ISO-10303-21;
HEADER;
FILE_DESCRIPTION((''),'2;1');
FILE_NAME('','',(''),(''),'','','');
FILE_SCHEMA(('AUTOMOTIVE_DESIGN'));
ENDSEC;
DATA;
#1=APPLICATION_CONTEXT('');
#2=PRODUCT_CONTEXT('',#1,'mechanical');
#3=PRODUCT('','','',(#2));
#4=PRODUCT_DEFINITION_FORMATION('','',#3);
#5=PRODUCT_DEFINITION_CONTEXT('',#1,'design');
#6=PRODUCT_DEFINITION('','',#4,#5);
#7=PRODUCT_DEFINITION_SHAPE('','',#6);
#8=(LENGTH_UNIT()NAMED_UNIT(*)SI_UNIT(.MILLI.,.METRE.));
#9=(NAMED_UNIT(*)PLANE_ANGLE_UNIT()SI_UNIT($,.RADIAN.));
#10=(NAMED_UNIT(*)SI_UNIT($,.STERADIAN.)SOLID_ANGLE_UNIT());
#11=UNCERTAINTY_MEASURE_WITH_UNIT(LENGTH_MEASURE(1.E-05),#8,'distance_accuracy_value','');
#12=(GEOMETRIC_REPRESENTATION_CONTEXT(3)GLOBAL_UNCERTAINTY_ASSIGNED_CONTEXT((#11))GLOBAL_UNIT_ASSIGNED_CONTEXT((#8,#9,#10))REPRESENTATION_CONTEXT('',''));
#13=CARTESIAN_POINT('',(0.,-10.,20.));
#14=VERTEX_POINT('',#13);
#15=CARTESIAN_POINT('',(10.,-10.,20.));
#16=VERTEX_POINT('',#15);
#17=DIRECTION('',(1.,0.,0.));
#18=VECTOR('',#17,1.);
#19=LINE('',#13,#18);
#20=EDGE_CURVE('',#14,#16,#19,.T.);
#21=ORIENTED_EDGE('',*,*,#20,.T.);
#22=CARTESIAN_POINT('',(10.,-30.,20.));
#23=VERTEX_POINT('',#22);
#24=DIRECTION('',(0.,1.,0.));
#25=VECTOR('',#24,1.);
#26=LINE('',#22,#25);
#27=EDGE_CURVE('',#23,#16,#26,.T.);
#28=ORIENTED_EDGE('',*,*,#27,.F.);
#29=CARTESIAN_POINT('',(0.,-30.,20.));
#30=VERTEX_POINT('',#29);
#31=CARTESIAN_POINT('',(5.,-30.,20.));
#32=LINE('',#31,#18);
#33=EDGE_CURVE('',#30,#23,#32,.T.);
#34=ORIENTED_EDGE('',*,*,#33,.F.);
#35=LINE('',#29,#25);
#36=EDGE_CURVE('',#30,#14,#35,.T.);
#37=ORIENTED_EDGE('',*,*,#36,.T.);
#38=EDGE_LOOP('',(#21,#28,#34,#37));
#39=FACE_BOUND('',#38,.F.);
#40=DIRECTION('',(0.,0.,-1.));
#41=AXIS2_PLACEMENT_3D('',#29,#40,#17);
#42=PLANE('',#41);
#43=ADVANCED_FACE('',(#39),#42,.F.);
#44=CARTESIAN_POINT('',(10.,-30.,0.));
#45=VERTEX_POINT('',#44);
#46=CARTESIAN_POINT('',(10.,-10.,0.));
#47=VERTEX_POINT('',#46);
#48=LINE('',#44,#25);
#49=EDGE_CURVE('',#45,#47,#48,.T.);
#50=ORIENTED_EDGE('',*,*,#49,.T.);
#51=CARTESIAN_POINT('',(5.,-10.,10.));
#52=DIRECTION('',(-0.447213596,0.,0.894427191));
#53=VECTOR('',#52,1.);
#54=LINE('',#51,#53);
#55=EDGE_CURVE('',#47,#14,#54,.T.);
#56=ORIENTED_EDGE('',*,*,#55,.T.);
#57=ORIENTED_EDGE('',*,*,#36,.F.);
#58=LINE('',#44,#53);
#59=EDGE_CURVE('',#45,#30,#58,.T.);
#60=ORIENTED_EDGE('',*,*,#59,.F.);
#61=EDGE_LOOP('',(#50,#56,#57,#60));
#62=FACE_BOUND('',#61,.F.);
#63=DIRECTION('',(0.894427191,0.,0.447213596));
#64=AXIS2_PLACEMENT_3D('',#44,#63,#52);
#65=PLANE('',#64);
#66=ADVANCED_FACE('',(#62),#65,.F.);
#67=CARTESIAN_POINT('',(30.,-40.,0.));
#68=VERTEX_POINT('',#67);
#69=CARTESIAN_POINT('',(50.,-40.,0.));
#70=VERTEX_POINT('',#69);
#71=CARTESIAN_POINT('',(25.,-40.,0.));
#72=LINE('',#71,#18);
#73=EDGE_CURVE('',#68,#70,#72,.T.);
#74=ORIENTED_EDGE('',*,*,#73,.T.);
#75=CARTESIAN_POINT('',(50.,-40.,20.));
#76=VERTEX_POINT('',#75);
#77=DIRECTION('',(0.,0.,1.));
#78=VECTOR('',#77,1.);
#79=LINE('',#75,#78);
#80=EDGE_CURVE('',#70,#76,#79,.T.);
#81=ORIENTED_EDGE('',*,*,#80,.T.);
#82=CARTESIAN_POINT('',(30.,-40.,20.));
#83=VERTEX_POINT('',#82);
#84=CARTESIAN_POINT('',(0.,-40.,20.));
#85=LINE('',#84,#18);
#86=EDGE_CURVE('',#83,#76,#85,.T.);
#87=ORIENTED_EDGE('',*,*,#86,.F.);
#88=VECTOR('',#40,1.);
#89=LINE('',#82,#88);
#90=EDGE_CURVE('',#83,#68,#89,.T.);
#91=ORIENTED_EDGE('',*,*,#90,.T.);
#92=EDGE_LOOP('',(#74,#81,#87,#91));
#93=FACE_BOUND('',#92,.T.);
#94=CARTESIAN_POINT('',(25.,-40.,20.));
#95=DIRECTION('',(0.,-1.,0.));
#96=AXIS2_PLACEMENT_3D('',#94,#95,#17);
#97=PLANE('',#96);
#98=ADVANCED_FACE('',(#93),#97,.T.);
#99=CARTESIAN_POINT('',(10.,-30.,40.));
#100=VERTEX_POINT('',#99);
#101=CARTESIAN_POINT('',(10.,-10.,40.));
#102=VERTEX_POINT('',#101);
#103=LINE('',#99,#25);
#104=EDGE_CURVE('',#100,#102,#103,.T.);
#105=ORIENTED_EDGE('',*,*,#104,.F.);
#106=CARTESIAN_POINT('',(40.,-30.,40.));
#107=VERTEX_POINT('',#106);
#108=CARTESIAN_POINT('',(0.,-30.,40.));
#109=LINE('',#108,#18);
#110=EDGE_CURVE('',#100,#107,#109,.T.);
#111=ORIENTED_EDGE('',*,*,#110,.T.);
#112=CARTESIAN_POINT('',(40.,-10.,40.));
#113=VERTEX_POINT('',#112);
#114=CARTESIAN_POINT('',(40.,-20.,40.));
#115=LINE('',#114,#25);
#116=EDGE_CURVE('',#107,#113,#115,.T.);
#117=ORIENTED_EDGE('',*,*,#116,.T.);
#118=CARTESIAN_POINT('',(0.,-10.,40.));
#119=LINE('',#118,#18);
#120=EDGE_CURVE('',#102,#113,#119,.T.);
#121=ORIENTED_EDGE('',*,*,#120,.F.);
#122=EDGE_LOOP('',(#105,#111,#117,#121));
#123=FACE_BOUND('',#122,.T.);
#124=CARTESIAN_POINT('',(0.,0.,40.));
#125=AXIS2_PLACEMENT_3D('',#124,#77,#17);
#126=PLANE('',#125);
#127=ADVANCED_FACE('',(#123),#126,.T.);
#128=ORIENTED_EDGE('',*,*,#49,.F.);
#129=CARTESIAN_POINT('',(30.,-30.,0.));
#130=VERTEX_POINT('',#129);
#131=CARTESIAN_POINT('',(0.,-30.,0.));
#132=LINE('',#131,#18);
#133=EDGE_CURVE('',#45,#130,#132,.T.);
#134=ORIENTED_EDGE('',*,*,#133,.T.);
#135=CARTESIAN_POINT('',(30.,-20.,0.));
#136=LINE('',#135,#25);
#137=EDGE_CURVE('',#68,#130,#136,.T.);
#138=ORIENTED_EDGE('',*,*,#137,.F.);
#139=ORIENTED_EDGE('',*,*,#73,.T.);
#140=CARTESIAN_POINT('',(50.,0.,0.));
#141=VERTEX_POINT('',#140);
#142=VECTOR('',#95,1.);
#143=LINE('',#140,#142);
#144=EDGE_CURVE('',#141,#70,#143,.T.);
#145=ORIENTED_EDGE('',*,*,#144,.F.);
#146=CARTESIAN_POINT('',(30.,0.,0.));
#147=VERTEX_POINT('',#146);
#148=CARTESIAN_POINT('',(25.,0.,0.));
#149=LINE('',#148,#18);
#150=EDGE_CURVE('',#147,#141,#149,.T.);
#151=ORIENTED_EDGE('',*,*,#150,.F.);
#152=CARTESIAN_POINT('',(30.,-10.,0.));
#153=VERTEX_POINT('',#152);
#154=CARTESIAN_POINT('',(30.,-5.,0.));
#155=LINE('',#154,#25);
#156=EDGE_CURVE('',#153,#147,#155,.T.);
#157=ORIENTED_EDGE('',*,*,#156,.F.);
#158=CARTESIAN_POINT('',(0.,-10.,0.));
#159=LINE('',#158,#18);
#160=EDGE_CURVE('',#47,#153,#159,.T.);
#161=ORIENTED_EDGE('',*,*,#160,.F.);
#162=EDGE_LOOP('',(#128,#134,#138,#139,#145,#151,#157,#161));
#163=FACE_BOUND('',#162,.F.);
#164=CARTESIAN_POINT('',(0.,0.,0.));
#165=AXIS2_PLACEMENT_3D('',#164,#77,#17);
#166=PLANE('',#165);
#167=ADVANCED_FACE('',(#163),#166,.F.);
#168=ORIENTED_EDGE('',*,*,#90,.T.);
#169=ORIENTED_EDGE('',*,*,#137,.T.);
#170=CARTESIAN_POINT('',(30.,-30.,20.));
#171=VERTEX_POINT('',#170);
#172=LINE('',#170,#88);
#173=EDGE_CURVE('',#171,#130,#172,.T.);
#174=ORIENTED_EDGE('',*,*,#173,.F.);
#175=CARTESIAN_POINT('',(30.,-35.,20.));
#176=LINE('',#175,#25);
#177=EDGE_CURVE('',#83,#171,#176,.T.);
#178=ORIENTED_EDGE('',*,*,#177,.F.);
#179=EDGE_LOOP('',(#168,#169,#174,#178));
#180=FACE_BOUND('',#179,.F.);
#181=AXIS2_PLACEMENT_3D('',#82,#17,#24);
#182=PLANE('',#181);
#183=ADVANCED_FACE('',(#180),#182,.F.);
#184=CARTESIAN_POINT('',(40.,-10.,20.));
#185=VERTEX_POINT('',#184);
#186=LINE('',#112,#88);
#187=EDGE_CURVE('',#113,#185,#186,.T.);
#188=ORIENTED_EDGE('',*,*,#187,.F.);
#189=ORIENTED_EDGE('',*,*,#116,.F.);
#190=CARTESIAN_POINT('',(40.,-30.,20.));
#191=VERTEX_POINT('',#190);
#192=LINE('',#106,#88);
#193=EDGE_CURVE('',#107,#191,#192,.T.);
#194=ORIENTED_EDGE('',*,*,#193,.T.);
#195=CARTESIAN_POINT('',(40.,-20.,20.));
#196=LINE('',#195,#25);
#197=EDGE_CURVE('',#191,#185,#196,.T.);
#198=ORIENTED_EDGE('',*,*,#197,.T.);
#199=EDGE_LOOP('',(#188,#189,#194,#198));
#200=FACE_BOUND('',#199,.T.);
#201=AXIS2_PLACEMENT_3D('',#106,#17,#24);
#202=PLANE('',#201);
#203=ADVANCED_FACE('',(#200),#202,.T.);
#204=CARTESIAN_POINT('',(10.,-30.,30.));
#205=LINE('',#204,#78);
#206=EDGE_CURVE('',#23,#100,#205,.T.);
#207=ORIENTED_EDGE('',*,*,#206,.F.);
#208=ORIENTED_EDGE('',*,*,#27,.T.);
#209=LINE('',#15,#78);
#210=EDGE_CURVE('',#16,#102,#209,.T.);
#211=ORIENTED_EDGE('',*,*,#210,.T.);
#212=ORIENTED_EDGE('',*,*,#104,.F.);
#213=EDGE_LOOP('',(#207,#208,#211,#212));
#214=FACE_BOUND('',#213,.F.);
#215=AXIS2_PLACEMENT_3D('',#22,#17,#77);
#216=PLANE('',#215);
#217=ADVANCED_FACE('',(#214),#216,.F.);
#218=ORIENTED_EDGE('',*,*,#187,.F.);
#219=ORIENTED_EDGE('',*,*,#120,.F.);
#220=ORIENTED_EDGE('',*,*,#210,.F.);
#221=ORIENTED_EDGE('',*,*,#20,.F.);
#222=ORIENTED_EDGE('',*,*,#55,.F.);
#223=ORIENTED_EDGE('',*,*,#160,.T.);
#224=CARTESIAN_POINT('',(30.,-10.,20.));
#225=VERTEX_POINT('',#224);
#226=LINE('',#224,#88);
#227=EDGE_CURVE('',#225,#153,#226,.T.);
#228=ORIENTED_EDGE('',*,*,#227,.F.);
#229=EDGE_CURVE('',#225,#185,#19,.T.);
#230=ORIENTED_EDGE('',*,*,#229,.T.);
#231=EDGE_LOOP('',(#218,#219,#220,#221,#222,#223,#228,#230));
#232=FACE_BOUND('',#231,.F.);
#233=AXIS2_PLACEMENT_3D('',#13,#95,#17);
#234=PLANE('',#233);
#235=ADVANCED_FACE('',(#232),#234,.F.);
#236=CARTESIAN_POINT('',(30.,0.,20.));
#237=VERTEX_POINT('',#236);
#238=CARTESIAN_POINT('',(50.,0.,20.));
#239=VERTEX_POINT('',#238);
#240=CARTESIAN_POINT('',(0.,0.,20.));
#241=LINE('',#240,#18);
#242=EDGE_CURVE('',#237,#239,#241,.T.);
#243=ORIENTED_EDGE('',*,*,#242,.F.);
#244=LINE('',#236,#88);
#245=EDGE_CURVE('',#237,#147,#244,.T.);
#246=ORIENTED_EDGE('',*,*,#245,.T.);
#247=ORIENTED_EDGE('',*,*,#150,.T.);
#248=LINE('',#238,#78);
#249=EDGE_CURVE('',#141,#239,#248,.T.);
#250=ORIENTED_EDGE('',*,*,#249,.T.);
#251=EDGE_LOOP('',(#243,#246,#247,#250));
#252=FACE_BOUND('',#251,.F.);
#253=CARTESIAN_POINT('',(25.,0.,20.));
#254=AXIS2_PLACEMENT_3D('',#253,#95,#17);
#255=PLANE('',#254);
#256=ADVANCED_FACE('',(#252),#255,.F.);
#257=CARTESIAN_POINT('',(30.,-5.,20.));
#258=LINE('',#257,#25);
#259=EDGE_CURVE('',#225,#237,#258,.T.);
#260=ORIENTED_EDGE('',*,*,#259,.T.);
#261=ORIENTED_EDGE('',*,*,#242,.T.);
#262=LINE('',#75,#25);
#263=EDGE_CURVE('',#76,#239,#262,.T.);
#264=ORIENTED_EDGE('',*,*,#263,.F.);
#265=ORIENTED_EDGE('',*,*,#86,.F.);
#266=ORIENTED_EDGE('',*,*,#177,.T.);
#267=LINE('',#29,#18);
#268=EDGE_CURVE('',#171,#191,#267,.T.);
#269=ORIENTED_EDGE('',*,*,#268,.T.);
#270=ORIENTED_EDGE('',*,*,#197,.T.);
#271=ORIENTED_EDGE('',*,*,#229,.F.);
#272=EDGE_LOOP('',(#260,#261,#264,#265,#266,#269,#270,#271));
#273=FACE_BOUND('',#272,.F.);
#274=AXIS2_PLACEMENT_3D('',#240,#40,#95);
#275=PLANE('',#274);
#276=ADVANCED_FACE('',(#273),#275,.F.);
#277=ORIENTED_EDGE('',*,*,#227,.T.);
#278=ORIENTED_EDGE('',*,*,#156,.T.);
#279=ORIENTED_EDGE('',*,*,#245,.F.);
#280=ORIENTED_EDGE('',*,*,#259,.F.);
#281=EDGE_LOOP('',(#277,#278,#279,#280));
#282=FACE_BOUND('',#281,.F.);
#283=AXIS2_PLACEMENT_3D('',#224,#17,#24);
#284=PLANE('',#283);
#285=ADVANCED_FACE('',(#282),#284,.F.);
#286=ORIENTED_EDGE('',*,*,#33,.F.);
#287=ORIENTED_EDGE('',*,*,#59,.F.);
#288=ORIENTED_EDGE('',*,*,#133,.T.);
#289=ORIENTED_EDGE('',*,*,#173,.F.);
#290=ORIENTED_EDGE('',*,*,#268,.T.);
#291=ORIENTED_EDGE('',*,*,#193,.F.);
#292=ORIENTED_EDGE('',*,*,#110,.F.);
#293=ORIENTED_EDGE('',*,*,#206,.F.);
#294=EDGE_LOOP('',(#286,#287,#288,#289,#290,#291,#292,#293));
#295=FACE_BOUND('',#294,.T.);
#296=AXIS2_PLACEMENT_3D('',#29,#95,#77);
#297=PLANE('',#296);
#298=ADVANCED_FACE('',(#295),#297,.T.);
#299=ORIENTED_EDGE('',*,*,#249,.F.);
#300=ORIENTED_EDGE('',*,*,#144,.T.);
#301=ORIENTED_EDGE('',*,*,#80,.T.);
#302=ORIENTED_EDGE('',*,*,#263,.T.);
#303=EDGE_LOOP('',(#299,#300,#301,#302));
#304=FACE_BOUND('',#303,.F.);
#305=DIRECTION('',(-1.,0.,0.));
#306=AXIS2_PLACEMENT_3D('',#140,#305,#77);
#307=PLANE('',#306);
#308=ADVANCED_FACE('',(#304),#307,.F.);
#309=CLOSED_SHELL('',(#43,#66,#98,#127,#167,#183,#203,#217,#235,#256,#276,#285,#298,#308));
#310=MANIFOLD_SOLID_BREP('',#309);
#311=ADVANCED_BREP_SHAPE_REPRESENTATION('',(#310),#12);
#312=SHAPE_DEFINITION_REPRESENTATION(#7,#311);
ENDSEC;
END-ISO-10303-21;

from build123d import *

# Parameters (mm, degrees)
F0_W     = 50
F0_H     = 40
F1_DEPTH = 40
F2_W     = 10
F2_H     = 20
F3_DEPTH = 50.001
F4_W     = 30
F4_H     = 10
F5_DEPTH = 20.001
F6_W     = 10
F6_H     = 20
F7_DEPTH = 20
F8_W     = 10
F8_H     = 20
F9_DEPTH = 30.001


with BuildPart() as f1:
    # F0 (on Front) → F1 (new body)
    with BuildSketch(Plane.XZ):
        with Locations((25, 20)):
            Rectangle(F0_W, F0_H)
    extrude(amount=F1_DEPTH)

    # F2 (on face) → F3 (cut, through all)
    with BuildSketch(Plane(origin=(0, 0, 0), x_dir=(0, -1, 0), z_dir=(-1, 0, 0))):
        with Locations((5, 30)):
            Rectangle(F2_W, F2_H)
        with Locations((35, 30)):
            Rectangle(F2_W, F2_H)
    extrude(amount=-F3_DEPTH, mode=Mode.SUBTRACT)

    # F4 (on face) → F5 (cut, through all)
    with BuildSketch(Plane.XY.offset(20)):
        with Locations((15, -5)):
            Rectangle(F4_W, F4_H)
        with Locations((15, -35)):
            Rectangle(F4_W, F4_H)
    extrude(amount=-F5_DEPTH, mode=Mode.SUBTRACT)

    # F6 (on face) → F7 (cut, through all)
    with BuildSketch(Plane.XY.offset(40)):
        with Locations((45, -20)):
            Rectangle(F6_W, F6_H)
    extrude(amount=-F7_DEPTH, mode=Mode.SUBTRACT)

    # F8 (on face) → F9 (cut, through all)
    with BuildSketch(Plane.XZ.offset(30)):
        Polygon((10, 0), (0, 20), (0, 0), align=None)
        with Locations((5, 30)):
            Rectangle(F8_W, F8_H)
    extrude(amount=-F9_DEPTH, mode=Mode.SUBTRACT)


solid = f1.part
